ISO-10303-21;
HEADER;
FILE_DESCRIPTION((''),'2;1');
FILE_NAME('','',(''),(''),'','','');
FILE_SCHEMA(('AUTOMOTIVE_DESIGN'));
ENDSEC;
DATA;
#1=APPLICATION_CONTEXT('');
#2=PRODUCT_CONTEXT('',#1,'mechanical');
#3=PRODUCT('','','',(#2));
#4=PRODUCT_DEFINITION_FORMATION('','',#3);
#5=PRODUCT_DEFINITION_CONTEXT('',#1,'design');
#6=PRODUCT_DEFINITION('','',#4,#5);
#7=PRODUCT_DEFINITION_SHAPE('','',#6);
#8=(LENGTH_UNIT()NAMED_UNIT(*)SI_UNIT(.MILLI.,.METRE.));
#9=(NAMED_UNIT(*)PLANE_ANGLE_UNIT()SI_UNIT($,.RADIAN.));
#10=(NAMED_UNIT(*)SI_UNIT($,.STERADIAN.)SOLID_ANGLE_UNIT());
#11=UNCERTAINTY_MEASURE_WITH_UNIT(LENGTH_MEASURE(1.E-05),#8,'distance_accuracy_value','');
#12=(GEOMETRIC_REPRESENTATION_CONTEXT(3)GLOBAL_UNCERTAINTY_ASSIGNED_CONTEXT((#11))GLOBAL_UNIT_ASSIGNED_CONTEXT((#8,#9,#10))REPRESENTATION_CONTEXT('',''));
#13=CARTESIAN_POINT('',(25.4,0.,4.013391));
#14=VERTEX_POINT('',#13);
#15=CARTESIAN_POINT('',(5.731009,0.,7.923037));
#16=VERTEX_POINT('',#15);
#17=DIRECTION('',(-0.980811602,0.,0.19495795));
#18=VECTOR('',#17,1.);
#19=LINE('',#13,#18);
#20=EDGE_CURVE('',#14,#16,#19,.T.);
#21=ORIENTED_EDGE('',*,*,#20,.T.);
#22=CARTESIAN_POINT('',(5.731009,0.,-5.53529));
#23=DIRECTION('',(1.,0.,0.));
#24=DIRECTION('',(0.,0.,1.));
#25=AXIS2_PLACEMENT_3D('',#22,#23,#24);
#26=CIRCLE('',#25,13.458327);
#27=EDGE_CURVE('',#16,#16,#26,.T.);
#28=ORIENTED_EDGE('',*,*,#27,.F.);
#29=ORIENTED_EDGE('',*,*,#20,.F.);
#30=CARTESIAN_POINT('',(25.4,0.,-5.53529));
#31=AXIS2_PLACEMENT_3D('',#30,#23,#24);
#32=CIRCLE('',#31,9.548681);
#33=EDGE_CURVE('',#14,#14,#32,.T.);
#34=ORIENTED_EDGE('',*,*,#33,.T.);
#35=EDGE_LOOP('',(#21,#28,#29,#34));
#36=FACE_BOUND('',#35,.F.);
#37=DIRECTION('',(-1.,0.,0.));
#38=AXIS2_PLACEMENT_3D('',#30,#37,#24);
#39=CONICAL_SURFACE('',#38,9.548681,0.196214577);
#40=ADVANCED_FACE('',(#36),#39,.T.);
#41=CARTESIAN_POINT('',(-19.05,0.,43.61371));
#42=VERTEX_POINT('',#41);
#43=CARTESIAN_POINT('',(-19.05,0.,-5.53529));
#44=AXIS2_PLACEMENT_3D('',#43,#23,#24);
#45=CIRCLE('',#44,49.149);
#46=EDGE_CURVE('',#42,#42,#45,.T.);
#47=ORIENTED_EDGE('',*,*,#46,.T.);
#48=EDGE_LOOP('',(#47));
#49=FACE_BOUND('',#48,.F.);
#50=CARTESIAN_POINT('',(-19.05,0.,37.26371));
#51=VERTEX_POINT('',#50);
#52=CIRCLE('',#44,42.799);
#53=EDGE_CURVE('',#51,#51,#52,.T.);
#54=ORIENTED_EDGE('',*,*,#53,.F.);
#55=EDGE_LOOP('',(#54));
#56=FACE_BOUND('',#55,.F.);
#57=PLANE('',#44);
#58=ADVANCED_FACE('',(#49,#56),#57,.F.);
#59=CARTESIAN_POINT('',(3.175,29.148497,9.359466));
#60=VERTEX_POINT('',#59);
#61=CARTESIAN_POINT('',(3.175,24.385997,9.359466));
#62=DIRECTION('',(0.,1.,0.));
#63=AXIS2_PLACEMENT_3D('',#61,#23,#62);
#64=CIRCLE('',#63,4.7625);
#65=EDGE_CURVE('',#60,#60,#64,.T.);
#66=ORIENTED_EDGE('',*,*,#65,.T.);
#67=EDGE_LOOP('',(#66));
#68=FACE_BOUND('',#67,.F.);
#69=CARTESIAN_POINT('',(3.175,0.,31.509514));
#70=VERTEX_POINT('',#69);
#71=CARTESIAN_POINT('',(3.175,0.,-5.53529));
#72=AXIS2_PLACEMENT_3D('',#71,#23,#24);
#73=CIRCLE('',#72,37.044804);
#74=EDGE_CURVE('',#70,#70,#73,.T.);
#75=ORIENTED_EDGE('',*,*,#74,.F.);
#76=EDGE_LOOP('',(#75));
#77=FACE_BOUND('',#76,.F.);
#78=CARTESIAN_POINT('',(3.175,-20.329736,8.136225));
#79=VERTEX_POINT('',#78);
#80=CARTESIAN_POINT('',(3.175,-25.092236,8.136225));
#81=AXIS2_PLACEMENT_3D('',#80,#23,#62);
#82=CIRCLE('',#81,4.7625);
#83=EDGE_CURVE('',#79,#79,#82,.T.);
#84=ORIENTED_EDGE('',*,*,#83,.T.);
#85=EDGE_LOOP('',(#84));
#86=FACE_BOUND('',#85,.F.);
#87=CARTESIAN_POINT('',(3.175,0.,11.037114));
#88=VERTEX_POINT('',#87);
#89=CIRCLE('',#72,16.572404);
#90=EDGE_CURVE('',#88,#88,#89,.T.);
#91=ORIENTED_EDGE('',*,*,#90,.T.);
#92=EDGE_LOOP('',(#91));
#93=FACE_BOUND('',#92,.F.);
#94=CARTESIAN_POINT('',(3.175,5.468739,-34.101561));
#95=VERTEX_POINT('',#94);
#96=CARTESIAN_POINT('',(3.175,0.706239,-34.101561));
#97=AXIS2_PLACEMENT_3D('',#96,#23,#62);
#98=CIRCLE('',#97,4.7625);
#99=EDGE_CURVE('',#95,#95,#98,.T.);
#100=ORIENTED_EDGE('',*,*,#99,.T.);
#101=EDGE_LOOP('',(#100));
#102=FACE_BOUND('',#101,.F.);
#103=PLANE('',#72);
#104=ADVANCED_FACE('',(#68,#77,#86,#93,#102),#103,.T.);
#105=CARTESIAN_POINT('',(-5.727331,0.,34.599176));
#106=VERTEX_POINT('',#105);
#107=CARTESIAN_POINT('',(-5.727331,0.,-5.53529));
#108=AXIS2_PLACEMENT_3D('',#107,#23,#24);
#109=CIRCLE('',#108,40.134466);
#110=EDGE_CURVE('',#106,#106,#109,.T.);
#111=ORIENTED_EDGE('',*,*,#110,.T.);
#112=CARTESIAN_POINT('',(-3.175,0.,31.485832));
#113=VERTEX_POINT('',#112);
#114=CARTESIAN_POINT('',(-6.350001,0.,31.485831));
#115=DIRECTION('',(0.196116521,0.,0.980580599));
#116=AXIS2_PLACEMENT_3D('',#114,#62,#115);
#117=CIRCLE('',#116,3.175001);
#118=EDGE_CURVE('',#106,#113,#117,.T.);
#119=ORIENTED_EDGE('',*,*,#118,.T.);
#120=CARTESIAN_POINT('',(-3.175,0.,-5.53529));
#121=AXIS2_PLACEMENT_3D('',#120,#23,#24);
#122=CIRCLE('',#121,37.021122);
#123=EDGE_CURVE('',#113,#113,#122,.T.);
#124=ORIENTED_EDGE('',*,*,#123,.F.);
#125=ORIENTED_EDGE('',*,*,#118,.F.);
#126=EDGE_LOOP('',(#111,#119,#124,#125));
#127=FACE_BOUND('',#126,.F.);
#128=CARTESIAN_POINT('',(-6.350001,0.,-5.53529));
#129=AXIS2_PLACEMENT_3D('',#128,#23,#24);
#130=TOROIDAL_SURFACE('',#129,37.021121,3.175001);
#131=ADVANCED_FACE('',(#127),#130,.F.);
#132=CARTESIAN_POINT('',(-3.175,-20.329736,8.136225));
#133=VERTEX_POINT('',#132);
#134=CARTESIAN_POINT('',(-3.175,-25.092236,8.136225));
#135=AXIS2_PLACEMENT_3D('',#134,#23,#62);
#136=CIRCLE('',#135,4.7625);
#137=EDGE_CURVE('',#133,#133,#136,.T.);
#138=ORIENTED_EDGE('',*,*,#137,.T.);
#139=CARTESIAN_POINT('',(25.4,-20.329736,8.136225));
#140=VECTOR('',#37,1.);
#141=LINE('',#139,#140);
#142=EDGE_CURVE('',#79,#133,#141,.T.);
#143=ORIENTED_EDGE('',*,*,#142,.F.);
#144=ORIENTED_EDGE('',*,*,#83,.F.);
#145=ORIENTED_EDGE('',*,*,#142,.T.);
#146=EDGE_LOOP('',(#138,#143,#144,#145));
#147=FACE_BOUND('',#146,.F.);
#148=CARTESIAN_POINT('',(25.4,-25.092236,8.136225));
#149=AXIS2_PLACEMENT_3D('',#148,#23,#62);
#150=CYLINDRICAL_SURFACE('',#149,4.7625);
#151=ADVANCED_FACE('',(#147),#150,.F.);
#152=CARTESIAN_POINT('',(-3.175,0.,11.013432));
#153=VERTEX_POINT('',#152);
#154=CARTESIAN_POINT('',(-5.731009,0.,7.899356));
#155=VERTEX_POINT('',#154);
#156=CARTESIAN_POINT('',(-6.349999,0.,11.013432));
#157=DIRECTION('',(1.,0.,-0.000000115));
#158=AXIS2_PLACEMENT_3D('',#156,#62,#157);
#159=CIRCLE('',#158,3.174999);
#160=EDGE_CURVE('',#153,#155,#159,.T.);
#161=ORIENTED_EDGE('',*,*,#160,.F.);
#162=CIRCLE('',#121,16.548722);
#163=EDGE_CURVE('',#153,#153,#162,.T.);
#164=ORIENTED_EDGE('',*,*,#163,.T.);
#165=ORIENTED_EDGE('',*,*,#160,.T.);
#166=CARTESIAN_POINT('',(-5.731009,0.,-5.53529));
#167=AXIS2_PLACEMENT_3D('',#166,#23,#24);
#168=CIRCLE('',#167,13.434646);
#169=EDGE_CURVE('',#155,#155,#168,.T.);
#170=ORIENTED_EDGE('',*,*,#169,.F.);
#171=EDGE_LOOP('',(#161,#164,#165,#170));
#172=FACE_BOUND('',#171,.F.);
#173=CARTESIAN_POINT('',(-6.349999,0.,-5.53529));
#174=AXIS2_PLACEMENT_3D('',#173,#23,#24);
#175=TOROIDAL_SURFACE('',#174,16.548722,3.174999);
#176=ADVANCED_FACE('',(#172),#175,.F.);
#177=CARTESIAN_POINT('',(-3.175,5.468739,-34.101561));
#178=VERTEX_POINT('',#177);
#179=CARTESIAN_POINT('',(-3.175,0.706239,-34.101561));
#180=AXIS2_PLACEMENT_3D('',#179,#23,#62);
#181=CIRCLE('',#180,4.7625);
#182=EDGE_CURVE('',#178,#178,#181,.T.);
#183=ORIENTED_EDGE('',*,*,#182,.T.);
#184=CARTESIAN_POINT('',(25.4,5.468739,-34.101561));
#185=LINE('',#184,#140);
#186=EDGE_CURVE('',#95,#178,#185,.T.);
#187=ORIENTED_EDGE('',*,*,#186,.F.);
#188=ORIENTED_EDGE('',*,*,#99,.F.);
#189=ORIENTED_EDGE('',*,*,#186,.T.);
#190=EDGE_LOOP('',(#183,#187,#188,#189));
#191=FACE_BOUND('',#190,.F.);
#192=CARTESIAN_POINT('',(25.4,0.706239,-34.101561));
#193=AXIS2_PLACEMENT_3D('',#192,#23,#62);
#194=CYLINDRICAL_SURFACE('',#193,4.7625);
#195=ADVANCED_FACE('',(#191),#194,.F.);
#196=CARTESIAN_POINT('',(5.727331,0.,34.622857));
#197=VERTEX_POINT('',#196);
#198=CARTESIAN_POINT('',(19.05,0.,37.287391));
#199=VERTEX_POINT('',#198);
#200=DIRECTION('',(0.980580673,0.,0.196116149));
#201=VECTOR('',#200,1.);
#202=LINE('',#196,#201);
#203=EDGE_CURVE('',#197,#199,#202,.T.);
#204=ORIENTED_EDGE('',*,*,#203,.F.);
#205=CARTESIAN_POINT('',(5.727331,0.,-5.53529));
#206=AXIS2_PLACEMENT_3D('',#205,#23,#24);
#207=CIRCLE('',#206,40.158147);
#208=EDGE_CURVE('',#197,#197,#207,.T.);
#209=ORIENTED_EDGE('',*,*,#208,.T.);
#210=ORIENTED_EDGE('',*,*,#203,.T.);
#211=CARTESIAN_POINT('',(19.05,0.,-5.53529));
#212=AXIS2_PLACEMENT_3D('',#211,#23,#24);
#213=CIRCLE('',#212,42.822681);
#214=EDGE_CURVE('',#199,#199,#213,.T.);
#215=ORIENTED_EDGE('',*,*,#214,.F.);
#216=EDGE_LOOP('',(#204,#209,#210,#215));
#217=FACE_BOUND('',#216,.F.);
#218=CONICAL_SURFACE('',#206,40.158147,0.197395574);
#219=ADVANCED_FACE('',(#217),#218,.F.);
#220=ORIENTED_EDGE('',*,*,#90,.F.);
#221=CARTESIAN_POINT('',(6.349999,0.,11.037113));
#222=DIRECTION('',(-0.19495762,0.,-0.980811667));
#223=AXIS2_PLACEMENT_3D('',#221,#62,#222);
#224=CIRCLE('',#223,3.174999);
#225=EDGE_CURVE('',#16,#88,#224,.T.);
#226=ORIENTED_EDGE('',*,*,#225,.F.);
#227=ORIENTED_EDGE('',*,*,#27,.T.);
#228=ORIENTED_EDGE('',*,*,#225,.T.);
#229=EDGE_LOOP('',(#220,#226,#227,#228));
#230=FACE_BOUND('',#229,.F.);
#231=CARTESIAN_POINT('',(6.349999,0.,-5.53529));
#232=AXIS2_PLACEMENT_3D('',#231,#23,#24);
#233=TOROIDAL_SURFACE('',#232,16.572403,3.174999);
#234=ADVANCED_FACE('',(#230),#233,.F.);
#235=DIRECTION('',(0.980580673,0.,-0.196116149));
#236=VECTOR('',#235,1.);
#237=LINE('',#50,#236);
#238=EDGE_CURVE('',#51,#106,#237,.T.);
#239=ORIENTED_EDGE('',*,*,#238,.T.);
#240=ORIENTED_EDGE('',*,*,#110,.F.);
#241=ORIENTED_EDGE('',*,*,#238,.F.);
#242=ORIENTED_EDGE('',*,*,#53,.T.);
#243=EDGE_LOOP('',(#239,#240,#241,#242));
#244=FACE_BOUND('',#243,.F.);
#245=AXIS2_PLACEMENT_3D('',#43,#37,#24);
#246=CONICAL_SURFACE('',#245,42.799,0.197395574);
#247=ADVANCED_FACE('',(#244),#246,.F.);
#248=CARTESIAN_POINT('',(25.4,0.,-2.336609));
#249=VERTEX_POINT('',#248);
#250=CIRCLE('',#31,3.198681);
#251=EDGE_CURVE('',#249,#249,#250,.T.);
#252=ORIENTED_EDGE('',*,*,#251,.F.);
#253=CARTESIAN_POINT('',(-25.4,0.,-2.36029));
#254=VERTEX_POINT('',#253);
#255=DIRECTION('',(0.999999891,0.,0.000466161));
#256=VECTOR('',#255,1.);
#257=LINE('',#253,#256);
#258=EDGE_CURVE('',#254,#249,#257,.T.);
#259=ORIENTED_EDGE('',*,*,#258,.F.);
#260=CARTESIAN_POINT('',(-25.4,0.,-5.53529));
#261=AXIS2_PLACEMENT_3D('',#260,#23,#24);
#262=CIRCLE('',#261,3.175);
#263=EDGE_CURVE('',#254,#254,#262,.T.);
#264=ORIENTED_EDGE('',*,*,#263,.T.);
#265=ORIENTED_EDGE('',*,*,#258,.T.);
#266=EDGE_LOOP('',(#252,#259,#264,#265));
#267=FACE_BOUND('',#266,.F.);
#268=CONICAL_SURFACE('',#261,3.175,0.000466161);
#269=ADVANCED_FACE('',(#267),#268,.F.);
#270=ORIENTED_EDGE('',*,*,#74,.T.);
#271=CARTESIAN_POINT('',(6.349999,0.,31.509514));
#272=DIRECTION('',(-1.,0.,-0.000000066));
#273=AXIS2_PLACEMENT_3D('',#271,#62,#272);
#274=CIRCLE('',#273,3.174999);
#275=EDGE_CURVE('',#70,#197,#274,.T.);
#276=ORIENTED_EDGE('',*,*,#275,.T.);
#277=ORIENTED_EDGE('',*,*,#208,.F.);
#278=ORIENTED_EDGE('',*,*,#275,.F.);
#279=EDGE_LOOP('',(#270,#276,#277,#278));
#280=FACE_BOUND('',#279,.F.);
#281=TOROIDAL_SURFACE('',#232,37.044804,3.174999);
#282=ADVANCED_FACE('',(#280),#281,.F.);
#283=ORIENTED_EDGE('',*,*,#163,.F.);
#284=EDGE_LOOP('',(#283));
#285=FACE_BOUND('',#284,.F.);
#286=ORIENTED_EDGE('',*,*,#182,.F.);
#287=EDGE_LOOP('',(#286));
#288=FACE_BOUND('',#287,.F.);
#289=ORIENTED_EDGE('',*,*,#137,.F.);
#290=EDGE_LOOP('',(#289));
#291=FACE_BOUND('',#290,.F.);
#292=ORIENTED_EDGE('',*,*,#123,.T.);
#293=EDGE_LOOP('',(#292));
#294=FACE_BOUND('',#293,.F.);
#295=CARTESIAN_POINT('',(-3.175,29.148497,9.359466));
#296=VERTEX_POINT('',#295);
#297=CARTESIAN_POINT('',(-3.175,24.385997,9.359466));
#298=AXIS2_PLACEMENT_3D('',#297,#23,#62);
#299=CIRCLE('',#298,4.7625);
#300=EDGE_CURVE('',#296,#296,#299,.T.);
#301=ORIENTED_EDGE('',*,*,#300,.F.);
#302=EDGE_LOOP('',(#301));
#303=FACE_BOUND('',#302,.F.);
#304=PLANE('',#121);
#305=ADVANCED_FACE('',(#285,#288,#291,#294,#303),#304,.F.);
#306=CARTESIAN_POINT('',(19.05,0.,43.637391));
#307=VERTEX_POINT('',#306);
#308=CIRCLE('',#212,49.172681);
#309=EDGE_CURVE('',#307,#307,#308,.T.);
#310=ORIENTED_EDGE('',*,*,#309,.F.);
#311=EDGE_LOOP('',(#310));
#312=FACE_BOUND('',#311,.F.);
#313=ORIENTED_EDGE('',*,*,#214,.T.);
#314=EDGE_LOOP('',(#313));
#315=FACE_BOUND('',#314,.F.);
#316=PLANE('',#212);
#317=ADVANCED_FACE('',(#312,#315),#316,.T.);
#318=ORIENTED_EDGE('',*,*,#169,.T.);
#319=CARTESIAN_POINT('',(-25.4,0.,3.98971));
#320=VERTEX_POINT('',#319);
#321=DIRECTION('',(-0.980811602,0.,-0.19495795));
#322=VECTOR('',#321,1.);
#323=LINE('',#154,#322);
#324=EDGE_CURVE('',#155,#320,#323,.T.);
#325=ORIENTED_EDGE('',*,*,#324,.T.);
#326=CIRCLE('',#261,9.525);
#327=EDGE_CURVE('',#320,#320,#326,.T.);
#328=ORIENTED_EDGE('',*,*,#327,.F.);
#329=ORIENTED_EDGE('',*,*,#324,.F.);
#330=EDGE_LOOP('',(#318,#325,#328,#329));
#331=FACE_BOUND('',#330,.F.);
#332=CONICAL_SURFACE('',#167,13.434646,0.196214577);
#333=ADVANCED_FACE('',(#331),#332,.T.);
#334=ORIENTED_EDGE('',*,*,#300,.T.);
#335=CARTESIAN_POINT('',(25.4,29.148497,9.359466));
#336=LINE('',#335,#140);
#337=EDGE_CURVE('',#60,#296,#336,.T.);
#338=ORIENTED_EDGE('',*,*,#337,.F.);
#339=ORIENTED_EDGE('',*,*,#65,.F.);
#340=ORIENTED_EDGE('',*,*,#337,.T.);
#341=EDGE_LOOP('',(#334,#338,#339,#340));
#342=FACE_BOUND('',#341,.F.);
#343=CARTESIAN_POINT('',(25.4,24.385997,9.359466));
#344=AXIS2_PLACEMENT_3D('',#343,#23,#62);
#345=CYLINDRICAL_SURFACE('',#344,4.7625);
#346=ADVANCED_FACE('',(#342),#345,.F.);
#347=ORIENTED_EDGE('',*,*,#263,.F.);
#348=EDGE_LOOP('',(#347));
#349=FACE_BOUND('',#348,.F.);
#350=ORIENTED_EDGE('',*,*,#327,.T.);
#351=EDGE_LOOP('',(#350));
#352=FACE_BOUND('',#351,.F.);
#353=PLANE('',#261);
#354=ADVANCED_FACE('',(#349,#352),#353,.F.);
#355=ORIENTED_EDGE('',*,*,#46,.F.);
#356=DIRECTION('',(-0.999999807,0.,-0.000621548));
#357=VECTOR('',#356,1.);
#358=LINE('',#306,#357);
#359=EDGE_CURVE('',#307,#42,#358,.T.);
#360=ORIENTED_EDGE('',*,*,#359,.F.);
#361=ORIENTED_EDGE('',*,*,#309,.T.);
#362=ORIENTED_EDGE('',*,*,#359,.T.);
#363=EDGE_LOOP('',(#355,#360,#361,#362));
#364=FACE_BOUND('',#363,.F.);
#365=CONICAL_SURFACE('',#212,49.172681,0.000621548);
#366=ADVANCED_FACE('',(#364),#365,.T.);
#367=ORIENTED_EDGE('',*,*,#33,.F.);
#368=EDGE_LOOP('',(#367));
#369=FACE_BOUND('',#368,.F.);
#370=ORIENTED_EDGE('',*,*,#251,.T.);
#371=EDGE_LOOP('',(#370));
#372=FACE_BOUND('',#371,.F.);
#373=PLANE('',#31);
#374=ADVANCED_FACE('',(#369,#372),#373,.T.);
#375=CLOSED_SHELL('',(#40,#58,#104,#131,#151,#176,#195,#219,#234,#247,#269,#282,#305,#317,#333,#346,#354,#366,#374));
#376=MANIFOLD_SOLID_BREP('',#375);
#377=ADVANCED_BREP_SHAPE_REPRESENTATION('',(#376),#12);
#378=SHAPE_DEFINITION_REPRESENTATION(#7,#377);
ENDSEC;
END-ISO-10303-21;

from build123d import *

# Parameters (mm, degrees)
F2_R     = 4.7625
F3_DEPTH = 50.801
F4_DEPTH = 50.801
F5_DEPTH = 50.801


with BuildPart() as f1:
    # F0 (on Front) → F1 (revolve)
    with BuildSketch(Plane.XZ):
        with BuildLine():
            Line((-25.4, -2.36029), (25.4, -2.336609))
            Line((25.4, -2.336609), (25.4, 4.013391))
            Line((25.4, 4.013391), (5.731009, 7.923037))
            ThreePointArc((5.731009, 7.923037), (3.895828, 9.022749), (3.175, 11.037114))
            Line((3.175, 11.037114), (3.175, 31.509514))
            ThreePointArc((3.175, 31.509514), (3.894639, 33.522429), (5.727331, 34.622857))
            Line((5.727331, 34.622857), (19.05, 37.287391))
            Line((19.05, 37.287391), (19.05, 43.637391))
            Line((19.05, 43.637391), (-19.05, 43.61371))
            Line((-19.05, 43.61371), (-19.05, 37.26371))
            Line((-19.05, 37.26371), (-5.727331, 34.599176))
            ThreePointArc((-5.727331, 34.599176), (-3.894639, 33.498747), (-3.175, 31.485832))
            Line((-3.175, 31.485832), (-3.175, 11.013432))
            ThreePointArc((-3.175, 11.013432), (-3.895828, 8.999068), (-5.731009, 7.899356))
            Line((-5.731009, 7.899356), (-25.4, 3.98971))
            Line((-25.4, 3.98971), (-25.4, -2.36029))
        make_face()
    revolve(axis=Axis((0.372264, 0, -5.53529), (1, 0, 0)))

    # F2 (on face) → F3 (cut, through all)
    with BuildSketch(Plane.YZ.offset(25.4)):
        with Locations((-25.092236, 8.136225)):
            Circle(F2_R)
    extrude(amount=-F3_DEPTH, mode=Mode.SUBTRACT)

    # F2 (on face) → F4 (cut, through all)
    with BuildSketch(Plane.YZ.offset(25.4)):
        with Locations((0.706239, -34.101561)):
            Circle(F2_R)
    extrude(amount=-F4_DEPTH, mode=Mode.SUBTRACT)

    # F2 (on face) → F5 (cut, through all)
    with BuildSketch(Plane.YZ.offset(25.4)):
        with Locations((24.385997, 9.359466)):
            Circle(F2_R)
    extrude(amount=-F5_DEPTH, mode=Mode.SUBTRACT)


solid = f1.part
